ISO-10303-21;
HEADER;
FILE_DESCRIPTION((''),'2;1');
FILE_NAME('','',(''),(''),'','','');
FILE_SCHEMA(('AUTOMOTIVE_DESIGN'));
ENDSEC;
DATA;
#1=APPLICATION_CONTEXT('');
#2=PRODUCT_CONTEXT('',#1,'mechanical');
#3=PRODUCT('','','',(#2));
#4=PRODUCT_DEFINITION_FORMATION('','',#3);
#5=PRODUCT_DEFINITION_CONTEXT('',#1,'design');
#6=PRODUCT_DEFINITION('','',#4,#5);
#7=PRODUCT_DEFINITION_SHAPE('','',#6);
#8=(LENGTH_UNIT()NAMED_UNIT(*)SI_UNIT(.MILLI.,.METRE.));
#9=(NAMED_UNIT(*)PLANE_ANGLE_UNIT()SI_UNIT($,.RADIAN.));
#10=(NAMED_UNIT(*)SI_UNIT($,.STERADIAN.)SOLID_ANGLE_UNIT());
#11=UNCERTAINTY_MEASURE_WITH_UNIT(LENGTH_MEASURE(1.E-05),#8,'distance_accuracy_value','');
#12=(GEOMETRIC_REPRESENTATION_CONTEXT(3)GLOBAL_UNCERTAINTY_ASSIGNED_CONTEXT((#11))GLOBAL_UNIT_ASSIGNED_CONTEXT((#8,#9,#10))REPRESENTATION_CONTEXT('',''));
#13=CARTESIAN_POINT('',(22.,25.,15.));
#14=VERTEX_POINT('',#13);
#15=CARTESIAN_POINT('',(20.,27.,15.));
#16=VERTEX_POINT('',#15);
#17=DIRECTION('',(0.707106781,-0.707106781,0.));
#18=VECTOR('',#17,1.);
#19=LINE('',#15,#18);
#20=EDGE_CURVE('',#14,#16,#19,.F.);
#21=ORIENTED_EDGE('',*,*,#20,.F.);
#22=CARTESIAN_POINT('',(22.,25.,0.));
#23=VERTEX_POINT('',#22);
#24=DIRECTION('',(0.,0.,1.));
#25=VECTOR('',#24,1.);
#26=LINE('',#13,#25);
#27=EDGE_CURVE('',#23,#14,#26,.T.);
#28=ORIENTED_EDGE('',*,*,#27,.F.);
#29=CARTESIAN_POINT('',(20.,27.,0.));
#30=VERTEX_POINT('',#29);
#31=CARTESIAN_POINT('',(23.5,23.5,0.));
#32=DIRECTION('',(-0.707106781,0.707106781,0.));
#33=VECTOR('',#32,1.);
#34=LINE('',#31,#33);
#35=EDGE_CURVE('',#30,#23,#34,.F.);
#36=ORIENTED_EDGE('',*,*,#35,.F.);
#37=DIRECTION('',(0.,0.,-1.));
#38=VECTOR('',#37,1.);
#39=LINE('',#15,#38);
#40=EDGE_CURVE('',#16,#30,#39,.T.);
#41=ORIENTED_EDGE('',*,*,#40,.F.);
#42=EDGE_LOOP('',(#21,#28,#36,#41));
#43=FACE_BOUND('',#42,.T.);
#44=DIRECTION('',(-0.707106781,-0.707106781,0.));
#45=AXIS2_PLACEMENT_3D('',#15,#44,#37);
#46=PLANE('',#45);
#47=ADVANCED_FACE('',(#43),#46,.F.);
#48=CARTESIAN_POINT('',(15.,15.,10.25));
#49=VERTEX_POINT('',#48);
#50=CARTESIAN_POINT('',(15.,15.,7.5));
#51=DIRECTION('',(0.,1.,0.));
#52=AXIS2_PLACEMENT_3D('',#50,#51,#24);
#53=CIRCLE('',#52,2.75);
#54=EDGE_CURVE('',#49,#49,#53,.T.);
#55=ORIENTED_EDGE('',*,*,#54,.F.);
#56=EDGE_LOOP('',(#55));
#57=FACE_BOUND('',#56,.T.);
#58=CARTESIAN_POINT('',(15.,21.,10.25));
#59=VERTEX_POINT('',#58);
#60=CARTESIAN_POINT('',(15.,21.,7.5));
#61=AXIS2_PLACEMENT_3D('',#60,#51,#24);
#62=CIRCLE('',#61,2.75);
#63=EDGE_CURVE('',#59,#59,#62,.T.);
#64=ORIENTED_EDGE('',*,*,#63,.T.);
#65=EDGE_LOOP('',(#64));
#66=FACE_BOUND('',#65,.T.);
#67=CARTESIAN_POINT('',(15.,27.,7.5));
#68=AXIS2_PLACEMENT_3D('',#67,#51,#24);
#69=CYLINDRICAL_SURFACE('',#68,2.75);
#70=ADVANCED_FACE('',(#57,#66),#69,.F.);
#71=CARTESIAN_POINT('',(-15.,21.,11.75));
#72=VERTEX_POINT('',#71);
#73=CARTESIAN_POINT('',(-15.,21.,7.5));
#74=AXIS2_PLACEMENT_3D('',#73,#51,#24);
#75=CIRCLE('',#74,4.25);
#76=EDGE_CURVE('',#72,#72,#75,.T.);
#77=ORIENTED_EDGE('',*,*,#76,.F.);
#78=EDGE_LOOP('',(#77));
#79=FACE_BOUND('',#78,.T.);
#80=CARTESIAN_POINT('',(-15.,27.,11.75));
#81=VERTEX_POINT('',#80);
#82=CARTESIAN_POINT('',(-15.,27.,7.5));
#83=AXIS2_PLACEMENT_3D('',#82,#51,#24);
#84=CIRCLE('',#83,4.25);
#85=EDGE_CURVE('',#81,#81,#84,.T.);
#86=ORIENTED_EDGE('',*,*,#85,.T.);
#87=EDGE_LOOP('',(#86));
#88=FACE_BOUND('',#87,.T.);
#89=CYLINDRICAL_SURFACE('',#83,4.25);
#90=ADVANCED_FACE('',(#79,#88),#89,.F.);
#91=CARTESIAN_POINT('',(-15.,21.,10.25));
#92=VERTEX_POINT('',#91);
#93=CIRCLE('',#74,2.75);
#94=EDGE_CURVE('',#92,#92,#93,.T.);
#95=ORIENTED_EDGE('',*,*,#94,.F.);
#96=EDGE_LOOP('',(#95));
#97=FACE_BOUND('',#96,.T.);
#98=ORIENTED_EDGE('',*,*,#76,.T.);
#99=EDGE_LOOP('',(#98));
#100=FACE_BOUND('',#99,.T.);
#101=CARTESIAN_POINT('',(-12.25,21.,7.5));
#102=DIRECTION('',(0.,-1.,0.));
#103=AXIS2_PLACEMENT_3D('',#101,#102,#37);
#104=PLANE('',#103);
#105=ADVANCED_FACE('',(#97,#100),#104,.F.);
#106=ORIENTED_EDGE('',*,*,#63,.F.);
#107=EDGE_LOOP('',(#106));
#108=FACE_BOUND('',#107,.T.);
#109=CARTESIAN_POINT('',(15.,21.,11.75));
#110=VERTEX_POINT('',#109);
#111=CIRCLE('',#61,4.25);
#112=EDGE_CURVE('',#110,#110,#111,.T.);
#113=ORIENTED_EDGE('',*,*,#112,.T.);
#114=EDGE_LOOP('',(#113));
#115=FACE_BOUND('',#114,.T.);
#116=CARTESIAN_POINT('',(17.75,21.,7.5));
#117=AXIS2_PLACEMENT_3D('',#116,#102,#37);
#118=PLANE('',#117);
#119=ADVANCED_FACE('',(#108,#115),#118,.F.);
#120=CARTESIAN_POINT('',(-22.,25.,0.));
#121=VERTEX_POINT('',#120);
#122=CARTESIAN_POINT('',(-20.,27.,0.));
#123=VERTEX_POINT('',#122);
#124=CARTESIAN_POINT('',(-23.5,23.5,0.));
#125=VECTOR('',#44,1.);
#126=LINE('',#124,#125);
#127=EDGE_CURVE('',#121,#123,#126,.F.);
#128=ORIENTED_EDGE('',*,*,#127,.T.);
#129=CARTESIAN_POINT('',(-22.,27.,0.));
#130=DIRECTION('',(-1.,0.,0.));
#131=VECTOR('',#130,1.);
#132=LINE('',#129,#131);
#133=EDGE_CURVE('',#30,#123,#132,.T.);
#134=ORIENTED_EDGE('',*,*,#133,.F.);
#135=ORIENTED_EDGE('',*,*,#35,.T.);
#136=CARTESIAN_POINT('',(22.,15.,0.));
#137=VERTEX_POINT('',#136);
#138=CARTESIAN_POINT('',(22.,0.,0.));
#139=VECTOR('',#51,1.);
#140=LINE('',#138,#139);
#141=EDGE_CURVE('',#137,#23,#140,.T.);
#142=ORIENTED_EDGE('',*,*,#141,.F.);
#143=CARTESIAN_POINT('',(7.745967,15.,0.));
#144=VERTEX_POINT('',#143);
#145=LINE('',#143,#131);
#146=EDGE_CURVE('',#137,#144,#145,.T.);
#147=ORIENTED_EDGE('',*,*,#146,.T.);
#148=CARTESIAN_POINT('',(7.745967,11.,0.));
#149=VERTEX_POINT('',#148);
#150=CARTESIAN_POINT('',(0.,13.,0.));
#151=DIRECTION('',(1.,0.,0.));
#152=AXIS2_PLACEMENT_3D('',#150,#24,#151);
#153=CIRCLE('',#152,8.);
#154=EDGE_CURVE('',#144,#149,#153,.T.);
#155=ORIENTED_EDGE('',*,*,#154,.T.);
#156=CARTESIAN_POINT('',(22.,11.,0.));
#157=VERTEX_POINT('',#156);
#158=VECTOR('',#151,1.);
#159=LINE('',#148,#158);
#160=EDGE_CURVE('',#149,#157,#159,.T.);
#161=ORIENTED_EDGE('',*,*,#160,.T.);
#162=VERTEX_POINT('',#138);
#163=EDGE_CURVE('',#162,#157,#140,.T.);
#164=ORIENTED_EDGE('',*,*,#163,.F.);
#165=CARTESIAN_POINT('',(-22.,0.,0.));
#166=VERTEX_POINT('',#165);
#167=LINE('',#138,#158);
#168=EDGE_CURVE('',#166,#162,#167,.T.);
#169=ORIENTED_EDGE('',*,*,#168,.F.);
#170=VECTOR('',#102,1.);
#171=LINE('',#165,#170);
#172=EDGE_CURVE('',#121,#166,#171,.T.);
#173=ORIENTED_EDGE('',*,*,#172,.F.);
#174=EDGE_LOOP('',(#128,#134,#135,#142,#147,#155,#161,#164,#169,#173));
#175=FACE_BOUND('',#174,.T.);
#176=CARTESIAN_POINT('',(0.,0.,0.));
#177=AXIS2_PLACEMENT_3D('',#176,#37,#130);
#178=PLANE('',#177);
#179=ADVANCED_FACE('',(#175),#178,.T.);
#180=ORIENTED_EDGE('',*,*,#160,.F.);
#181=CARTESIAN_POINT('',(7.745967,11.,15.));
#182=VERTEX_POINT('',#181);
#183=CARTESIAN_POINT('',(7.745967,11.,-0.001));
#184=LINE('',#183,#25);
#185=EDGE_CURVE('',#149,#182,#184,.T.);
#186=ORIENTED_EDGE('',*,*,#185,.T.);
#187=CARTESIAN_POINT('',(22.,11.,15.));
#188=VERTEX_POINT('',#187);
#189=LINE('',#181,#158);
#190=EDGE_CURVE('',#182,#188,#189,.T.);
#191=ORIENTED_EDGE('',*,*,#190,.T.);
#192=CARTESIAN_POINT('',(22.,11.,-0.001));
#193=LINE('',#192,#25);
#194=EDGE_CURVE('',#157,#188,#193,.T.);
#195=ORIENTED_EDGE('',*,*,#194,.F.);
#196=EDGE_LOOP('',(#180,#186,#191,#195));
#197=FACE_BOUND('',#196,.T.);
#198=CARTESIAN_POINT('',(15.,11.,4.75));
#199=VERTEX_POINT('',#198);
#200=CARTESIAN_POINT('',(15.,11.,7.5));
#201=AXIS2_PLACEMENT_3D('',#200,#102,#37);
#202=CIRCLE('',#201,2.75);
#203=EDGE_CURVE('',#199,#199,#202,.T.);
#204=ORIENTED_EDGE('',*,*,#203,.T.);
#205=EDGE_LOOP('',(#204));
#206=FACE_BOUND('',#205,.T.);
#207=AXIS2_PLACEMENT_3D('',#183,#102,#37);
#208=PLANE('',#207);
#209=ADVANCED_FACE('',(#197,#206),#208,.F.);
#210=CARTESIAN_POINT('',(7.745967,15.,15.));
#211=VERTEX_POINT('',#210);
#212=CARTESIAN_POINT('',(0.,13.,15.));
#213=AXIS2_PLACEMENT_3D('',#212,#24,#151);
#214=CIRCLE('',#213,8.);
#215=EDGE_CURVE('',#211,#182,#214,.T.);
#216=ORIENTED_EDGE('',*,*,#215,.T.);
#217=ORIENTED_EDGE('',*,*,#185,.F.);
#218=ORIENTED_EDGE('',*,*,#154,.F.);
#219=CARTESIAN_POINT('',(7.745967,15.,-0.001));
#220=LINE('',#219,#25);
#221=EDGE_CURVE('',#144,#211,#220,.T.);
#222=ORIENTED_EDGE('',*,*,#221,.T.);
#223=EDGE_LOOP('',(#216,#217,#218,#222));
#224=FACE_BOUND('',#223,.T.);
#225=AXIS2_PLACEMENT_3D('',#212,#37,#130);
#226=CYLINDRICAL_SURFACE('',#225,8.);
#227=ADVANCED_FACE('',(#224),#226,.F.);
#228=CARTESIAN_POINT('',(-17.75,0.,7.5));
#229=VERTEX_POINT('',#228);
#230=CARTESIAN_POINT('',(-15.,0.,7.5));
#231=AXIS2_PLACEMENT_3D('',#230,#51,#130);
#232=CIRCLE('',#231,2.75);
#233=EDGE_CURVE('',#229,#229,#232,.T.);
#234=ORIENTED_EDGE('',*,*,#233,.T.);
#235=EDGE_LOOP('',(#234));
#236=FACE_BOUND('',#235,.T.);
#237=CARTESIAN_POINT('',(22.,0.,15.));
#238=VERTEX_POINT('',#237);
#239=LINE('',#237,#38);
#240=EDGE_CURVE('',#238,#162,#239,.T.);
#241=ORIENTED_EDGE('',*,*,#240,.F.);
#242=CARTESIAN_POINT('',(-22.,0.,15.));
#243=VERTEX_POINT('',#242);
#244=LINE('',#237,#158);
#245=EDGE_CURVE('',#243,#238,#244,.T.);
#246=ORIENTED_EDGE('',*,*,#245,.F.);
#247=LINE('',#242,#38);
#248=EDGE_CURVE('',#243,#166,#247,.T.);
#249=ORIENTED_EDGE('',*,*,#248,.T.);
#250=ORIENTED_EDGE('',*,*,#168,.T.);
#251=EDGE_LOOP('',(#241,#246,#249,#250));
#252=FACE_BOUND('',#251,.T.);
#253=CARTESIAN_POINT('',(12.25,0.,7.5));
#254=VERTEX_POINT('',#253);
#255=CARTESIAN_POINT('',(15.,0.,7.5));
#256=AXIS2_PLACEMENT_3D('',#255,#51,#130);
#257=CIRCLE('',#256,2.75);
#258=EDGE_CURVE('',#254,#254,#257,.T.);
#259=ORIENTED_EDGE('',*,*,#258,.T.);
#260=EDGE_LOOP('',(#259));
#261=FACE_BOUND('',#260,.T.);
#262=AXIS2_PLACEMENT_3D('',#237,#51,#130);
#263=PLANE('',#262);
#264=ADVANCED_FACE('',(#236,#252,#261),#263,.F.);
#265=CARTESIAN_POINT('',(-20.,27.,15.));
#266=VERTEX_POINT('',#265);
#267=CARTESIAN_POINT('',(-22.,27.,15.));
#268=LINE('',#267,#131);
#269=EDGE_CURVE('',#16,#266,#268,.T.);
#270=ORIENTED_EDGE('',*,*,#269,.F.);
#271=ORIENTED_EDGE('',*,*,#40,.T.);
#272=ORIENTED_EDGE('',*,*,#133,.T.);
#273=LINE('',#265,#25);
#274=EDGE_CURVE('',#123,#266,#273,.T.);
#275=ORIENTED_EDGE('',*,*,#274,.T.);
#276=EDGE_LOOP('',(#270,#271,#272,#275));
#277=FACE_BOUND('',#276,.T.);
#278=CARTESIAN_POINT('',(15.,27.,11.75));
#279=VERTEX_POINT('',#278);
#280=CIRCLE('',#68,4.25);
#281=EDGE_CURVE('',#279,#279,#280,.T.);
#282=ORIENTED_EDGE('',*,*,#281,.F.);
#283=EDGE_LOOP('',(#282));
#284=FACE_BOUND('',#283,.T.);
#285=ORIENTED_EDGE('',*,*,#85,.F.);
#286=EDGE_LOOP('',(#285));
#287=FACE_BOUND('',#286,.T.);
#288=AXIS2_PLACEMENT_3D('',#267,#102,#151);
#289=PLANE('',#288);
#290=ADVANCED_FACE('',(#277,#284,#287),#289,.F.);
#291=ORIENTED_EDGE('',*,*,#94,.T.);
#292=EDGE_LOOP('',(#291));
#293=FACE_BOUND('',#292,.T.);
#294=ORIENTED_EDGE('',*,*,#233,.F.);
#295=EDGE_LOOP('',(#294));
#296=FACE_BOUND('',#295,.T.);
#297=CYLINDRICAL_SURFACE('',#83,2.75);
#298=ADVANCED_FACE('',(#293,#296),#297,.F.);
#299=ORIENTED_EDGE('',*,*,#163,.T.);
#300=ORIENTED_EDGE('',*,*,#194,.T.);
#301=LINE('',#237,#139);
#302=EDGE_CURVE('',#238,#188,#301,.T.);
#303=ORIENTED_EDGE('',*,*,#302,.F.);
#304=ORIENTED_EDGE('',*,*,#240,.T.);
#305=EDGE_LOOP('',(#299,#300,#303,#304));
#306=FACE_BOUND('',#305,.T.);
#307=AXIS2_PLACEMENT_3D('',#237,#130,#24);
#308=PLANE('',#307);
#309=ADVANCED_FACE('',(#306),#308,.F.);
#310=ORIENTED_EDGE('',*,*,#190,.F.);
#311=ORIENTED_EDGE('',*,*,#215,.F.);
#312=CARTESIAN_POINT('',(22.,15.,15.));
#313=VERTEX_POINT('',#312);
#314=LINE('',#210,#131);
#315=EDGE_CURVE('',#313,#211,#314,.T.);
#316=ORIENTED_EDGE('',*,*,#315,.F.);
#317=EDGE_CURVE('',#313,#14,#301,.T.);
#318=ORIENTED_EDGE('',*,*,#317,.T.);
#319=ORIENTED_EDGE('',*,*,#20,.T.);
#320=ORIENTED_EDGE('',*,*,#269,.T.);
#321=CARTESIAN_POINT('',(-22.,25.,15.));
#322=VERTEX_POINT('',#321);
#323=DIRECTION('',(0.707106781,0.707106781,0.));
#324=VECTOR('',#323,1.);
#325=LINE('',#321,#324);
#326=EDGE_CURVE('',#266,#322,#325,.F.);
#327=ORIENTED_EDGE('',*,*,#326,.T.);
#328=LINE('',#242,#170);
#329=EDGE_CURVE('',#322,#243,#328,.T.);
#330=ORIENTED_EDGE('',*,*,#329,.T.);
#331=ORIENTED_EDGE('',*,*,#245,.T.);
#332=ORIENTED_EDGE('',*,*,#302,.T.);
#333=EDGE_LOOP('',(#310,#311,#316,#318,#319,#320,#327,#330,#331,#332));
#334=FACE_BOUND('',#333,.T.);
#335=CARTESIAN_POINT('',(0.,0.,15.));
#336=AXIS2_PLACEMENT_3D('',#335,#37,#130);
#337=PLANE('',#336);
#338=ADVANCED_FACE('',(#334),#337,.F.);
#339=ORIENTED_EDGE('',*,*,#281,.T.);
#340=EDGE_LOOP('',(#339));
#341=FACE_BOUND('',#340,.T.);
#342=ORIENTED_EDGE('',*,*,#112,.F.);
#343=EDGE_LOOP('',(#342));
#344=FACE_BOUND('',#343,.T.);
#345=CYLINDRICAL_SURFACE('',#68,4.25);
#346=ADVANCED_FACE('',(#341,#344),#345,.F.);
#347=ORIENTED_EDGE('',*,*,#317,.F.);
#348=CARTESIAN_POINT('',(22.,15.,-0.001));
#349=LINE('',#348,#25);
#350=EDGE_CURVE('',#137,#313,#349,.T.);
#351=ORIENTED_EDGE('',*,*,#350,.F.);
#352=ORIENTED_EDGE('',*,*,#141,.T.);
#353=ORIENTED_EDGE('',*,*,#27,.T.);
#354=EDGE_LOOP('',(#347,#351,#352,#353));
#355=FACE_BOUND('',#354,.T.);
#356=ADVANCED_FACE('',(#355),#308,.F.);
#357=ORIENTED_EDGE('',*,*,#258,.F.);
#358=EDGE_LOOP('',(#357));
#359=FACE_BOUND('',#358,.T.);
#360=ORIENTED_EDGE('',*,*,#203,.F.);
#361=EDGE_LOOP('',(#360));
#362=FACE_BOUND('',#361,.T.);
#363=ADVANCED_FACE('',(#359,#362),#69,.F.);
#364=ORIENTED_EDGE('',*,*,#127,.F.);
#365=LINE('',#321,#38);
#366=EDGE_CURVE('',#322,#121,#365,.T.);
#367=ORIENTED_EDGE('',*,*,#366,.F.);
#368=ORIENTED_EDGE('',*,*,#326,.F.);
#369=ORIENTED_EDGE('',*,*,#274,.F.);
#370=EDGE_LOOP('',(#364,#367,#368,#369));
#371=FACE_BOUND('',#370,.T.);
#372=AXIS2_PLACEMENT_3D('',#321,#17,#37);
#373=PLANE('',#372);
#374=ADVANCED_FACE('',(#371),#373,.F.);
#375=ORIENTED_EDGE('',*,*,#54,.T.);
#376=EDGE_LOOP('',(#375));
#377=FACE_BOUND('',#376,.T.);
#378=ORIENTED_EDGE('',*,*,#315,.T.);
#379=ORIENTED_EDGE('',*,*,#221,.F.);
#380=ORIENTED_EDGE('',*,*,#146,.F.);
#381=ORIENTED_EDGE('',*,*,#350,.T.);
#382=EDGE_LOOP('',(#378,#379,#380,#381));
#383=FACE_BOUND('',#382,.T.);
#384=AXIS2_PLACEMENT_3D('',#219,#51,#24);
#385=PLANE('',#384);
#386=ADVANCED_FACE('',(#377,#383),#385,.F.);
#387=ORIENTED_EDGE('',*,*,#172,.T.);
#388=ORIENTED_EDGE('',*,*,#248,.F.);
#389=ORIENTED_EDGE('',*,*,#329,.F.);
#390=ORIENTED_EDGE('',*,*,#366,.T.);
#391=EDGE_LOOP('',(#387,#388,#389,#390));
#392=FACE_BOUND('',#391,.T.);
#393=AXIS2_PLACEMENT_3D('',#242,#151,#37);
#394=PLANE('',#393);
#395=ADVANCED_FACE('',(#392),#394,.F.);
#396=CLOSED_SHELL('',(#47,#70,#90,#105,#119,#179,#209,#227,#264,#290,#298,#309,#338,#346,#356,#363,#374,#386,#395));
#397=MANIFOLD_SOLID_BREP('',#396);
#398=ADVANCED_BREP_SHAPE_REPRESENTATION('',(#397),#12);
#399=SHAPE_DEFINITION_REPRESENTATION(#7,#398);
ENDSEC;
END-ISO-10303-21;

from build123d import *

# Parameters (mm, degrees)
SKETCH1_W                                           = 44
SKETCH1_H                                           = 27
SKETCH1_R                                           = 8
BOSS_EXTRUDE1_DEPTH                                 = 15
CBORE_FOR_M5_HEX_SOCKET_HEAD_CAP_SCREW1_D           = 5.5
CBORE_FOR_M5_HEX_SOCKET_HEAD_CAP_SCREW1_DEPTH       = 27
CBORE_FOR_M5_HEX_SOCKET_HEAD_CAP_SCREW1_CBORE_D     = 8.5
CBORE_FOR_M5_HEX_SOCKET_HEAD_CAP_SCREW1_CBORE_DEPTH = 6
CHAMFER1_SIZE                                       = 2
CUT_EXTRUDE1_REACH                                  = 17


with BuildPart() as part:
    # Sketch1 → Boss-Extrude1 (new body)
    with BuildSketch(Plane.XY):
        with Locations((0, 13.5)):
            Rectangle(SKETCH1_W, SKETCH1_H)
        with Locations((0, 13)):
            Circle(SKETCH1_R, mode=Mode.SUBTRACT)
    extrude(amount=BOSS_EXTRUDE1_DEPTH)

    # CBORE for M5 Hex Socket Head Cap Screw1
    with Locations(Plane(origin=(-15, 27, 7.5), x_dir=(1, 0, 0), z_dir=(0, 1, 0))):
        with Locations((0, 0), (30, 0)):
            CounterBoreHole(CBORE_FOR_M5_HEX_SOCKET_HEAD_CAP_SCREW1_D / 2, CBORE_FOR_M5_HEX_SOCKET_HEAD_CAP_SCREW1_CBORE_D / 2, CBORE_FOR_M5_HEX_SOCKET_HEAD_CAP_SCREW1_CBORE_DEPTH, depth=CBORE_FOR_M5_HEX_SOCKET_HEAD_CAP_SCREW1_DEPTH)

    # Chamfer1
    chamfer1_edges = [part.edges().sort_by_distance(p)[0] for p in [
        (-22, 27, 7.5),
        (22, 27, 7.5),
    ]]
    chamfer(chamfer1_edges, length=CHAMFER1_SIZE)

    # Sketch4 → Cut-Extrude1 (cut, up to next)
    with BuildSketch(Plane.XY.offset(15), mode=Mode.PRIVATE) as cut_extrude1_sk1:
        with BuildLine():
            Line((7.745966692, 15), (22, 15))
            Line((22, 15), (22, 11))
            Line((22, 11), (7.745966692, 11))
            ThreePointArc((7.745966692, 11), (8, 13), (7.745966692, 15))
        make_face()
    cut_extrude1_tool1 = extrude(cut_extrude1_sk1.sketch, amount=-CUT_EXTRUDE1_REACH, mode=Mode.PRIVATE) & part.part
    add(cut_extrude1_tool1.solids().sort_by_distance((14.957731, 13, 15))[0], mode=Mode.SUBTRACT)


solid = part.part
